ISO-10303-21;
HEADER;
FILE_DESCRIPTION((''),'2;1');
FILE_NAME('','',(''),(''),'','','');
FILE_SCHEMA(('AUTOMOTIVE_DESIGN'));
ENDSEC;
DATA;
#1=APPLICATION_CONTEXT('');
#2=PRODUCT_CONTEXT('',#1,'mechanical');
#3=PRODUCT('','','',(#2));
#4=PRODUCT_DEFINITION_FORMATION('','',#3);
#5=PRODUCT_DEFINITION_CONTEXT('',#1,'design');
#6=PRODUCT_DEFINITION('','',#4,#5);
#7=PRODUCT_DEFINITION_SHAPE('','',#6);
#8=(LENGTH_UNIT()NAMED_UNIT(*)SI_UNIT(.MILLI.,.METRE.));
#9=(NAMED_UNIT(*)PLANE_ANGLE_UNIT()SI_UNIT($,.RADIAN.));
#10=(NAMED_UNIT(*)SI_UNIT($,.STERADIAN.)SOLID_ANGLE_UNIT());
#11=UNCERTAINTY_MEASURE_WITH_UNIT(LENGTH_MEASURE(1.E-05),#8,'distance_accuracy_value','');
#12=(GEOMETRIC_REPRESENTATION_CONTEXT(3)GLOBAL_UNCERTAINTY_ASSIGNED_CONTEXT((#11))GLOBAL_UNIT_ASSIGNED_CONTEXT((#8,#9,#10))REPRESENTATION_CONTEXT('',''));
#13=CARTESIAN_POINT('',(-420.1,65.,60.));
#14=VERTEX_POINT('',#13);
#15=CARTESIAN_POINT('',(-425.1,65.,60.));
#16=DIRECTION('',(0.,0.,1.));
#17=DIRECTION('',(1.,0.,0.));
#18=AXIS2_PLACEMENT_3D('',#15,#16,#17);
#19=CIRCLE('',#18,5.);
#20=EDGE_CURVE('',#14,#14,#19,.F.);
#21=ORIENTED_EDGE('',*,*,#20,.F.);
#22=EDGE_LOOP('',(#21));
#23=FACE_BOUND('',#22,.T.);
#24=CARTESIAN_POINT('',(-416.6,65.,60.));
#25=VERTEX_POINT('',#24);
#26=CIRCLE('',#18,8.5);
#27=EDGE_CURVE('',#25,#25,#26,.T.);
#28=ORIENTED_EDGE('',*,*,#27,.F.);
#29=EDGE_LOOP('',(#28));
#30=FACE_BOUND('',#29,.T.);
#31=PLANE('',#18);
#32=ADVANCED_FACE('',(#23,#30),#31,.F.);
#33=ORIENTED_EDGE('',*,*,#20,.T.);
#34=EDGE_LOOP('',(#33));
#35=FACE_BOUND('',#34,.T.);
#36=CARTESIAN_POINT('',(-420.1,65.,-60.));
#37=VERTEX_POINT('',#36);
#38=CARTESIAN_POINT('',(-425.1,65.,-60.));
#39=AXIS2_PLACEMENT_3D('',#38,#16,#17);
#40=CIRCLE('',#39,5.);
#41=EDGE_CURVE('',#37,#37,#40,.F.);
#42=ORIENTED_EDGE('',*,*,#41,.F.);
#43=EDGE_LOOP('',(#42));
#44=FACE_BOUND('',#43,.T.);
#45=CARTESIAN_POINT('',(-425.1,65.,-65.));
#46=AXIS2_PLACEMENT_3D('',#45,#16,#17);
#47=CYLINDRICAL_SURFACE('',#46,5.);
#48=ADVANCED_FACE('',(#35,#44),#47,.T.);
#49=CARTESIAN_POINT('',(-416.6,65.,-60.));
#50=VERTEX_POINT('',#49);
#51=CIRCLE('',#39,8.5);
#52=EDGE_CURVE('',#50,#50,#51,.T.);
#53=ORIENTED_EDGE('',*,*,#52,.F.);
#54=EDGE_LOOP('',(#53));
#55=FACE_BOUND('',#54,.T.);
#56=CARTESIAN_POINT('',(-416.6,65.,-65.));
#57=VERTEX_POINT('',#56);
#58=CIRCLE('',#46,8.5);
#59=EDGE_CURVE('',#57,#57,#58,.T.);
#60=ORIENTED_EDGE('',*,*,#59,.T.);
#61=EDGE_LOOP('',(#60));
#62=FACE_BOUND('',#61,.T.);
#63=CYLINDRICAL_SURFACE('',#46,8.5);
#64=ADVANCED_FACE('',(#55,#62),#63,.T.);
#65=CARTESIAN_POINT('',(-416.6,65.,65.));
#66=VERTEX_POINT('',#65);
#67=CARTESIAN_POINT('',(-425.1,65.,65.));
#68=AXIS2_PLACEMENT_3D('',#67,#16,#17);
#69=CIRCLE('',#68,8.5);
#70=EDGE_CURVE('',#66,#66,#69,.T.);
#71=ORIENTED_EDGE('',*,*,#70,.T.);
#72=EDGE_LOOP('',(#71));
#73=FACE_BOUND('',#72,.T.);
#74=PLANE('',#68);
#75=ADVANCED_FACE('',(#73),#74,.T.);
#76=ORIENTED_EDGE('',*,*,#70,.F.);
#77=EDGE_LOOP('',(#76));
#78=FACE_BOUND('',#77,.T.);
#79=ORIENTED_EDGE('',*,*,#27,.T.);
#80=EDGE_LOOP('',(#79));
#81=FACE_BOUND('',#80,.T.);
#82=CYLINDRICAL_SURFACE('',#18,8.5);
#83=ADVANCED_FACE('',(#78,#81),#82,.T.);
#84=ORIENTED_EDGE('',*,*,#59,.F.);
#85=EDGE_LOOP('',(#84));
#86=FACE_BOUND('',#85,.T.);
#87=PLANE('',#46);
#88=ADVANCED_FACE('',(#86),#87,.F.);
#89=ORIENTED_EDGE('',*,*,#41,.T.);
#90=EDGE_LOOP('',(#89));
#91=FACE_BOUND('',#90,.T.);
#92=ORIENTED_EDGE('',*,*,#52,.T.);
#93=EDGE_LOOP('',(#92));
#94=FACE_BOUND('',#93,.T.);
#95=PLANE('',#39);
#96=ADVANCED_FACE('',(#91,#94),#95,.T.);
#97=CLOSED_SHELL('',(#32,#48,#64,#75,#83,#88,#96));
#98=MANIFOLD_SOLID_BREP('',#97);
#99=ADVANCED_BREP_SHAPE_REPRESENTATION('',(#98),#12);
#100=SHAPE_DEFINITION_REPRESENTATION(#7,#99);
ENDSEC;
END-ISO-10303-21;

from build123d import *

# Parameters (mm, degrees)
EJE_PROFILE_R         = 5
TUERCA_DCHA_PROFILE_R = 8.5
TUERCA_IZQ_PROFILE_R  = 8.5


with BuildPart() as part:
    # Eje: sweep along a curve in space
    with BuildLine() as eje_path:
        Line((-425.1, 65, -65), (-425.1, 65, 65))
    # Eje profile (on start of the path) → Eje (sweep)
    with BuildSketch(Plane(origin=(-425.1, 65, -65), x_dir=(1, 0, 0), z_dir=(0, 0, 1))):
        Circle(EJE_PROFILE_R)
    sweep(path=eje_path.line)

    # Tuerca_dcha: sweep along a curve in space
    with BuildLine() as tuerca_dcha_path:
        Line((-425.1, 65, 60), (-425.1, 65, 65))
    # Tuerca_dcha profile (on start of the path) → Tuerca_dcha (sweep)
    with BuildSketch(Plane(origin=(-425.1, 65, 60), x_dir=(1, 0, 0), z_dir=(0, 0, 1))):
        Circle(TUERCA_DCHA_PROFILE_R)
    sweep(path=tuerca_dcha_path.line)

    # Tuerca_izq: sweep along a curve in space
    with BuildLine() as tuerca_izq_path:
        Line((-425.1, 65, -65), (-425.1, 65, -60))
    # Tuerca_izq profile (on start of the path) → Tuerca_izq (sweep)
    with BuildSketch(Plane(origin=(-425.1, 65, -65), x_dir=(1, 0, 0), z_dir=(0, 0, 1))):
        Circle(TUERCA_IZQ_PROFILE_R)
    sweep(path=tuerca_izq_path.line)


solid = part.part
